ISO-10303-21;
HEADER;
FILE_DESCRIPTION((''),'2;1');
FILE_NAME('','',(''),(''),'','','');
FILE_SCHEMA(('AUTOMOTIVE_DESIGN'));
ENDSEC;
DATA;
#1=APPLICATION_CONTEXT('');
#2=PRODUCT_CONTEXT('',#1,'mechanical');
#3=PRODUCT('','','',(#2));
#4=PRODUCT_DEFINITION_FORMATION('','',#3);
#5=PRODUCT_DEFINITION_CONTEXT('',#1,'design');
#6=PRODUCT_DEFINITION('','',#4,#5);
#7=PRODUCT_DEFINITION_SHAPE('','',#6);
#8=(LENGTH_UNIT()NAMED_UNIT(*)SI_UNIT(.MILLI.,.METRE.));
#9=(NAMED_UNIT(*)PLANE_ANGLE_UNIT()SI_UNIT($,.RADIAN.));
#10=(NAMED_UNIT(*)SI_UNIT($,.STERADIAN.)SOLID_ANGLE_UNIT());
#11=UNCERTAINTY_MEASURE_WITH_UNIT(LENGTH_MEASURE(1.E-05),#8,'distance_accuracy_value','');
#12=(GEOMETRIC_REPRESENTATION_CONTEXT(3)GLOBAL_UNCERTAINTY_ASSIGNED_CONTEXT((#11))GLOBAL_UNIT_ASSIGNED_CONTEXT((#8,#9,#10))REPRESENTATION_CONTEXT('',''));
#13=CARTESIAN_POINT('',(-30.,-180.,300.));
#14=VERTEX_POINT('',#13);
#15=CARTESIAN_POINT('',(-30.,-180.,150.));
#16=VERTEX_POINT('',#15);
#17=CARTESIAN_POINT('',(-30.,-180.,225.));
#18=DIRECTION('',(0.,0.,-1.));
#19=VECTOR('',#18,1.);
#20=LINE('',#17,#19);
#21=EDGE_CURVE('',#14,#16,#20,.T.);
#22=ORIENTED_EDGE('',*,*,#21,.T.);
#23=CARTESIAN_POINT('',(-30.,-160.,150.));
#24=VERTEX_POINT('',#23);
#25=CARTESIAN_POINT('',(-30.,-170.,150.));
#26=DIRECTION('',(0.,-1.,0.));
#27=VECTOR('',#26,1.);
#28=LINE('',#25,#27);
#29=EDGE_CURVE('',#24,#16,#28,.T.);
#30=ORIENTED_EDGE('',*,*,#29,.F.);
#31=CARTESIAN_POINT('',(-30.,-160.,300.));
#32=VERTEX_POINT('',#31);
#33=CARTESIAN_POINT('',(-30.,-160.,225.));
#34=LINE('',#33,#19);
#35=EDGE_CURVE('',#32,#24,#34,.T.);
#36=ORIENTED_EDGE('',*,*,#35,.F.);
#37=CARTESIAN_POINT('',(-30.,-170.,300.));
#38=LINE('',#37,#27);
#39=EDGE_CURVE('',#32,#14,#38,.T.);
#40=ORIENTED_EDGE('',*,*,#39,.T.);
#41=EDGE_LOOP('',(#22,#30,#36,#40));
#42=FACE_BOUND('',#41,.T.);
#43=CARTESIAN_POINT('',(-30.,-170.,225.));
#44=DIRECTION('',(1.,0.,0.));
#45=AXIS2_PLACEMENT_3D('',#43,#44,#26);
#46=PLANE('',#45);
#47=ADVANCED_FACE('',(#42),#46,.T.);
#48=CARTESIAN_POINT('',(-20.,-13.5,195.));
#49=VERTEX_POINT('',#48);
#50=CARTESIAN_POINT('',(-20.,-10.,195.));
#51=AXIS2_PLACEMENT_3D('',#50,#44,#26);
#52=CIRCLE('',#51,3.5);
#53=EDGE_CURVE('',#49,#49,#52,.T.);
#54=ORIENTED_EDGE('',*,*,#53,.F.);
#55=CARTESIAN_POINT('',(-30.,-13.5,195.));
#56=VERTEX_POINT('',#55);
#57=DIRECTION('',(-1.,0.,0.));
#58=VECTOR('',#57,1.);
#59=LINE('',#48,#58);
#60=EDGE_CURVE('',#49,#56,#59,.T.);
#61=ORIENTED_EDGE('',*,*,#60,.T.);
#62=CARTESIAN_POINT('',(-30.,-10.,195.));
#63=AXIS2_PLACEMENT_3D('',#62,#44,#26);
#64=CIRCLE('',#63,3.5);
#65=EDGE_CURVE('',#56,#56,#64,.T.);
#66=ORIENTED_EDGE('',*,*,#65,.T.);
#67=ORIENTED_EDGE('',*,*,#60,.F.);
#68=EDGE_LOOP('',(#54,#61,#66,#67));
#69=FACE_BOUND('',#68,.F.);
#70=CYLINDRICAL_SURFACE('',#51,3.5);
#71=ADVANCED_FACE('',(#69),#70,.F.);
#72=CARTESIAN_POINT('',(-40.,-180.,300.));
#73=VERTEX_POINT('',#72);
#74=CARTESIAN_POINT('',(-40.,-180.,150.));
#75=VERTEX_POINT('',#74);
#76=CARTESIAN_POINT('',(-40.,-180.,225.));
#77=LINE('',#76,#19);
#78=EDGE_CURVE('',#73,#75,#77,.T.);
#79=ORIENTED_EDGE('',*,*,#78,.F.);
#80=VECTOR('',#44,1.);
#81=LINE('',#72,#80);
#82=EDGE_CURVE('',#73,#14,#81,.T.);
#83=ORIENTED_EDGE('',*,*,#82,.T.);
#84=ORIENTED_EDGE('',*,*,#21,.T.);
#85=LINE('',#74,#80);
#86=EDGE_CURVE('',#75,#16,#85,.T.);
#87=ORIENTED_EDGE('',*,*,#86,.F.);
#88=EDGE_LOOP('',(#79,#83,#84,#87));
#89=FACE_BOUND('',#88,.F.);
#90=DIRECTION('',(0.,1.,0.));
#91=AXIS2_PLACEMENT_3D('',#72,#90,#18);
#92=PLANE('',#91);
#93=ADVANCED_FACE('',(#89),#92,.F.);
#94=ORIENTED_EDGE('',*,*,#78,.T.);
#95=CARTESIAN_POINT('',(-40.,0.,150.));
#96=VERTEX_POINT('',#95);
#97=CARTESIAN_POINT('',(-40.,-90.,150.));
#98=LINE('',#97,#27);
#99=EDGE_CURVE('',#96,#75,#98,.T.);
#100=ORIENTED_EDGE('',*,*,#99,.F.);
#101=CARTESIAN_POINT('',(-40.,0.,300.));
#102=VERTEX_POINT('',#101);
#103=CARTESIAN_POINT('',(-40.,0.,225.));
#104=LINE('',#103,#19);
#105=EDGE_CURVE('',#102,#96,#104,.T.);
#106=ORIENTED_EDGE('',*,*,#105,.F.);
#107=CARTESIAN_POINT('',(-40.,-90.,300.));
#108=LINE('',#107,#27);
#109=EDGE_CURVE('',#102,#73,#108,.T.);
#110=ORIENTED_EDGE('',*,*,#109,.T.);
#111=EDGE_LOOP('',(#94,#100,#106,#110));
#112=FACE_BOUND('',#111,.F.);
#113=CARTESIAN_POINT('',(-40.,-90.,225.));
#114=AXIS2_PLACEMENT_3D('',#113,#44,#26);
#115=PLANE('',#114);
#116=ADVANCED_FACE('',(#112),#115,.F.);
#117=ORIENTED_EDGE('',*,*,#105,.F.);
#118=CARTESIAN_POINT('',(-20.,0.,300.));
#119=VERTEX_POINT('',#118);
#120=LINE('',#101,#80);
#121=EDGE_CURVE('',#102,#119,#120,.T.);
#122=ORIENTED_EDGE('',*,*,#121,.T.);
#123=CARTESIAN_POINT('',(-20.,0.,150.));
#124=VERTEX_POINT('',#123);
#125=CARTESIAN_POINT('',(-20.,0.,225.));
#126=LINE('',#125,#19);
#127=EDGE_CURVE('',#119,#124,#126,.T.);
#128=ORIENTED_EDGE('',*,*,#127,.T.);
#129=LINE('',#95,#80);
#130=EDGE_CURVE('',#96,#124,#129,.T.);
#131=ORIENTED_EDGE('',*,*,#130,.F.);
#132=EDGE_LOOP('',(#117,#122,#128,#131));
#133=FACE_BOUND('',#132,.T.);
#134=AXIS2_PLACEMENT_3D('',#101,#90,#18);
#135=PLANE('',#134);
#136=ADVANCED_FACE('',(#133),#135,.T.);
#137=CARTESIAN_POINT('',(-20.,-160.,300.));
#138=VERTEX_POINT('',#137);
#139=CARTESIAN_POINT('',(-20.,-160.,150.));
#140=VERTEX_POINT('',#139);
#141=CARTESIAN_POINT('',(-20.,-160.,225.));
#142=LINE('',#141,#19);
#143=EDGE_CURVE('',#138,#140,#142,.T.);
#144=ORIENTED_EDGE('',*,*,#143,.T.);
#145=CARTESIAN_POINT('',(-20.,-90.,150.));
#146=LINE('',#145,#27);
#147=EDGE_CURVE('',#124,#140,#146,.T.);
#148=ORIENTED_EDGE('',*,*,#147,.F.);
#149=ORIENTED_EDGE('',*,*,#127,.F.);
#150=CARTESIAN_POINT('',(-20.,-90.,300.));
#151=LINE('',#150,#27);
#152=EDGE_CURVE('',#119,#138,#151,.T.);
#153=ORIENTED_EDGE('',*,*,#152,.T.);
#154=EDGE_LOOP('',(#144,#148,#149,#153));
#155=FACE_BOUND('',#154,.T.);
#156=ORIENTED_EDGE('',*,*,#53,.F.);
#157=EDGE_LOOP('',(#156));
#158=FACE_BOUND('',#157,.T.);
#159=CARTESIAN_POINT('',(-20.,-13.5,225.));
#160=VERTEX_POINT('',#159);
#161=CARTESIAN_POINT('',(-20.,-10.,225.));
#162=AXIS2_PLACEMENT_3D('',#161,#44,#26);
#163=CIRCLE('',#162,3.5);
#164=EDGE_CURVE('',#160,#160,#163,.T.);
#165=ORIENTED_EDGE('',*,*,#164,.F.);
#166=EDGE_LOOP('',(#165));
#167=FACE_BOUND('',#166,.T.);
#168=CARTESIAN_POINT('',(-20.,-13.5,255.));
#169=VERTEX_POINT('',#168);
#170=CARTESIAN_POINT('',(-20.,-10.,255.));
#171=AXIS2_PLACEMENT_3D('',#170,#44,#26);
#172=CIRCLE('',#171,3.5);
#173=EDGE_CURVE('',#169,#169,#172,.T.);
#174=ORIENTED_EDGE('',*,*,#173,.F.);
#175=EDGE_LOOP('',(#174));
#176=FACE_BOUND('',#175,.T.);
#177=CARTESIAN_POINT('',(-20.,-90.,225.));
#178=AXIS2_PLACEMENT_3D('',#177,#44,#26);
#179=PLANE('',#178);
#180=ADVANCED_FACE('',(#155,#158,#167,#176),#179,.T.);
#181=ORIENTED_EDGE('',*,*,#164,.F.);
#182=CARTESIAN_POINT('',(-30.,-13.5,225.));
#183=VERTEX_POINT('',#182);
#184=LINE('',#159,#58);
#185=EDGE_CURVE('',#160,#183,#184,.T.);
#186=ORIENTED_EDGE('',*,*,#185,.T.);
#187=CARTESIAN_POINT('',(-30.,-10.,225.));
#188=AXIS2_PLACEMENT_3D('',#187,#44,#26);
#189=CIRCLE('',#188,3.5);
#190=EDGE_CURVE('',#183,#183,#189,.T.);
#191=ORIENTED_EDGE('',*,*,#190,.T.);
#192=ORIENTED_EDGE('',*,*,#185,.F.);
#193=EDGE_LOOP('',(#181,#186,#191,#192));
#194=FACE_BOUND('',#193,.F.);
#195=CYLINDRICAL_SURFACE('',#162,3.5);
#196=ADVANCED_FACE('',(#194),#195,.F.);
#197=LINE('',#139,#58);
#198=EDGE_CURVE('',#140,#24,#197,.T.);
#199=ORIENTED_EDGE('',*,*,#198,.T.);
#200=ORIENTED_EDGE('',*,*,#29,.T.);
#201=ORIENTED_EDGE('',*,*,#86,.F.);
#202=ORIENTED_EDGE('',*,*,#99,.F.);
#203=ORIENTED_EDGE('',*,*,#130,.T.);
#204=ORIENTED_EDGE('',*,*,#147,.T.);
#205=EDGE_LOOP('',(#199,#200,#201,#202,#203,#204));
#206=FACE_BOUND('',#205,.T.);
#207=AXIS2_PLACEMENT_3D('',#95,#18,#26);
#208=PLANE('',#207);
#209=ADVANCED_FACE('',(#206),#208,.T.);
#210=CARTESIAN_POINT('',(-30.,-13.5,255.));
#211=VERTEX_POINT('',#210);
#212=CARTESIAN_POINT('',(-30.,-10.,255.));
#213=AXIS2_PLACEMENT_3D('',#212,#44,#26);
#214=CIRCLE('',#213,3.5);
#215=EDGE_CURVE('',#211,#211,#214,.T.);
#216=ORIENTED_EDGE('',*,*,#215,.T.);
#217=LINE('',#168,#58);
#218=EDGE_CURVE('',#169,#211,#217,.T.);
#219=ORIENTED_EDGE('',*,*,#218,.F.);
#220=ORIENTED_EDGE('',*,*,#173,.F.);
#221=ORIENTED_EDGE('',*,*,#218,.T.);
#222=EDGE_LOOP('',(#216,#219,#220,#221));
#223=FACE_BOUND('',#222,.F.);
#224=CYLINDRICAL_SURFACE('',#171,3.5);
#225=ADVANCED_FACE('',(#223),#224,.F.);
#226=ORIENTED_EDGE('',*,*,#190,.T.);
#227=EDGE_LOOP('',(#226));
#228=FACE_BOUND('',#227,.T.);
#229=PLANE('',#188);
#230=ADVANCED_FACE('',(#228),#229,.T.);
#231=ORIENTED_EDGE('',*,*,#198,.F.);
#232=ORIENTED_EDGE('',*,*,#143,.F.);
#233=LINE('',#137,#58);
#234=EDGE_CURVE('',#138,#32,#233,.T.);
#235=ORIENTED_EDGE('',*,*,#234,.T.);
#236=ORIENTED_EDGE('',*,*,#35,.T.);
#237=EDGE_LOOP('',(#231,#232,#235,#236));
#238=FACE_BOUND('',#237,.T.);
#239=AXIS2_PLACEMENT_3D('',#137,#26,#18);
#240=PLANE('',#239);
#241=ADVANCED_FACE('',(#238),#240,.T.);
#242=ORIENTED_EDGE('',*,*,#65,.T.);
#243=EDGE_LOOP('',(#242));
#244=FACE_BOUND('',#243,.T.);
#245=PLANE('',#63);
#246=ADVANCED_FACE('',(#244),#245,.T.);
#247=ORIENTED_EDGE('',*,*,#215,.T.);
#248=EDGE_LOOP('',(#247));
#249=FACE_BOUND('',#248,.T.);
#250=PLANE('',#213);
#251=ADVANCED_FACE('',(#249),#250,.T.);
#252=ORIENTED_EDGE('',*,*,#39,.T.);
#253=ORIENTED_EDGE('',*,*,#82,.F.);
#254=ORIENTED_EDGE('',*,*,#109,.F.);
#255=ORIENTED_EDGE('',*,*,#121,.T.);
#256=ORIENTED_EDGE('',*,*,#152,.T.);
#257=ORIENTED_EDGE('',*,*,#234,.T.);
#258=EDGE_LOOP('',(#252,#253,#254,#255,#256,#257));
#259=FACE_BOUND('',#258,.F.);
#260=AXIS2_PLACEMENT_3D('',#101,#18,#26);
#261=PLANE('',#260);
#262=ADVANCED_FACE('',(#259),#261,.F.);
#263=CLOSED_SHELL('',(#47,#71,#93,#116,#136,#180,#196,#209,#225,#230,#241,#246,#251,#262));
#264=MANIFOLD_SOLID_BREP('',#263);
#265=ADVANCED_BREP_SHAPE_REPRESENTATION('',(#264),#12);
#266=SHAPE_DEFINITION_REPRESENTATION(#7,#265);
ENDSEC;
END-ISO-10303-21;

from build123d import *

# Parameters (mm, degrees)
F0_W     = 180
F0_H     = 150
F1_DEPTH = 20
F2_R     = 3.5
F3_DEPTH = 10
F4_W     = 20
F4_H     = 150
F5_DEPTH = 10
F6_ANGLE = 180
F7_ANGLE = -90
F8_ANGLE = 180


with BuildPart() as f1:
    # F0 (on Front) → F1 (new body)
    with BuildSketch(Plane.XZ):
        with Locations((90, 75)):
            Rectangle(F0_W, F0_H)
    extrude(amount=F1_DEPTH)

    # F2 (on face) → F3 (cut)
    with BuildSketch(Plane.XZ.offset(20)):
        with Locations((10, 75)):
            Circle(F2_R)
        with Locations((10, 105)):
            Circle(F2_R)
        with Locations((10, 45)):
            Circle(F2_R)
    extrude(amount=-F3_DEPTH, mode=Mode.SUBTRACT)

    # F4 (on face) → F5 (cut)
    with BuildSketch(Plane.XZ.offset(20)):
        with Locations((170, 75)):
            Rectangle(F4_W, F4_H)
    extrude(amount=-F5_DEPTH, mode=Mode.SUBTRACT)


with BuildPart() as f1_1:
    # F6: moved
    add(f1.part.rotate(Axis((90, 0, 150), (1, 0, 0)), F6_ANGLE))


with BuildPart() as f1_2:
    # F7: moved
    add(f1_1.part.rotate(Axis((0, 0, 225), (0, 0, -1)), F7_ANGLE))


with BuildPart() as f1_3:
    # F8: moved
    add(f1_2.part.rotate(Axis((-20, 0, 225), (0, 0, -1)), F8_ANGLE))


solid = f1_3.part
